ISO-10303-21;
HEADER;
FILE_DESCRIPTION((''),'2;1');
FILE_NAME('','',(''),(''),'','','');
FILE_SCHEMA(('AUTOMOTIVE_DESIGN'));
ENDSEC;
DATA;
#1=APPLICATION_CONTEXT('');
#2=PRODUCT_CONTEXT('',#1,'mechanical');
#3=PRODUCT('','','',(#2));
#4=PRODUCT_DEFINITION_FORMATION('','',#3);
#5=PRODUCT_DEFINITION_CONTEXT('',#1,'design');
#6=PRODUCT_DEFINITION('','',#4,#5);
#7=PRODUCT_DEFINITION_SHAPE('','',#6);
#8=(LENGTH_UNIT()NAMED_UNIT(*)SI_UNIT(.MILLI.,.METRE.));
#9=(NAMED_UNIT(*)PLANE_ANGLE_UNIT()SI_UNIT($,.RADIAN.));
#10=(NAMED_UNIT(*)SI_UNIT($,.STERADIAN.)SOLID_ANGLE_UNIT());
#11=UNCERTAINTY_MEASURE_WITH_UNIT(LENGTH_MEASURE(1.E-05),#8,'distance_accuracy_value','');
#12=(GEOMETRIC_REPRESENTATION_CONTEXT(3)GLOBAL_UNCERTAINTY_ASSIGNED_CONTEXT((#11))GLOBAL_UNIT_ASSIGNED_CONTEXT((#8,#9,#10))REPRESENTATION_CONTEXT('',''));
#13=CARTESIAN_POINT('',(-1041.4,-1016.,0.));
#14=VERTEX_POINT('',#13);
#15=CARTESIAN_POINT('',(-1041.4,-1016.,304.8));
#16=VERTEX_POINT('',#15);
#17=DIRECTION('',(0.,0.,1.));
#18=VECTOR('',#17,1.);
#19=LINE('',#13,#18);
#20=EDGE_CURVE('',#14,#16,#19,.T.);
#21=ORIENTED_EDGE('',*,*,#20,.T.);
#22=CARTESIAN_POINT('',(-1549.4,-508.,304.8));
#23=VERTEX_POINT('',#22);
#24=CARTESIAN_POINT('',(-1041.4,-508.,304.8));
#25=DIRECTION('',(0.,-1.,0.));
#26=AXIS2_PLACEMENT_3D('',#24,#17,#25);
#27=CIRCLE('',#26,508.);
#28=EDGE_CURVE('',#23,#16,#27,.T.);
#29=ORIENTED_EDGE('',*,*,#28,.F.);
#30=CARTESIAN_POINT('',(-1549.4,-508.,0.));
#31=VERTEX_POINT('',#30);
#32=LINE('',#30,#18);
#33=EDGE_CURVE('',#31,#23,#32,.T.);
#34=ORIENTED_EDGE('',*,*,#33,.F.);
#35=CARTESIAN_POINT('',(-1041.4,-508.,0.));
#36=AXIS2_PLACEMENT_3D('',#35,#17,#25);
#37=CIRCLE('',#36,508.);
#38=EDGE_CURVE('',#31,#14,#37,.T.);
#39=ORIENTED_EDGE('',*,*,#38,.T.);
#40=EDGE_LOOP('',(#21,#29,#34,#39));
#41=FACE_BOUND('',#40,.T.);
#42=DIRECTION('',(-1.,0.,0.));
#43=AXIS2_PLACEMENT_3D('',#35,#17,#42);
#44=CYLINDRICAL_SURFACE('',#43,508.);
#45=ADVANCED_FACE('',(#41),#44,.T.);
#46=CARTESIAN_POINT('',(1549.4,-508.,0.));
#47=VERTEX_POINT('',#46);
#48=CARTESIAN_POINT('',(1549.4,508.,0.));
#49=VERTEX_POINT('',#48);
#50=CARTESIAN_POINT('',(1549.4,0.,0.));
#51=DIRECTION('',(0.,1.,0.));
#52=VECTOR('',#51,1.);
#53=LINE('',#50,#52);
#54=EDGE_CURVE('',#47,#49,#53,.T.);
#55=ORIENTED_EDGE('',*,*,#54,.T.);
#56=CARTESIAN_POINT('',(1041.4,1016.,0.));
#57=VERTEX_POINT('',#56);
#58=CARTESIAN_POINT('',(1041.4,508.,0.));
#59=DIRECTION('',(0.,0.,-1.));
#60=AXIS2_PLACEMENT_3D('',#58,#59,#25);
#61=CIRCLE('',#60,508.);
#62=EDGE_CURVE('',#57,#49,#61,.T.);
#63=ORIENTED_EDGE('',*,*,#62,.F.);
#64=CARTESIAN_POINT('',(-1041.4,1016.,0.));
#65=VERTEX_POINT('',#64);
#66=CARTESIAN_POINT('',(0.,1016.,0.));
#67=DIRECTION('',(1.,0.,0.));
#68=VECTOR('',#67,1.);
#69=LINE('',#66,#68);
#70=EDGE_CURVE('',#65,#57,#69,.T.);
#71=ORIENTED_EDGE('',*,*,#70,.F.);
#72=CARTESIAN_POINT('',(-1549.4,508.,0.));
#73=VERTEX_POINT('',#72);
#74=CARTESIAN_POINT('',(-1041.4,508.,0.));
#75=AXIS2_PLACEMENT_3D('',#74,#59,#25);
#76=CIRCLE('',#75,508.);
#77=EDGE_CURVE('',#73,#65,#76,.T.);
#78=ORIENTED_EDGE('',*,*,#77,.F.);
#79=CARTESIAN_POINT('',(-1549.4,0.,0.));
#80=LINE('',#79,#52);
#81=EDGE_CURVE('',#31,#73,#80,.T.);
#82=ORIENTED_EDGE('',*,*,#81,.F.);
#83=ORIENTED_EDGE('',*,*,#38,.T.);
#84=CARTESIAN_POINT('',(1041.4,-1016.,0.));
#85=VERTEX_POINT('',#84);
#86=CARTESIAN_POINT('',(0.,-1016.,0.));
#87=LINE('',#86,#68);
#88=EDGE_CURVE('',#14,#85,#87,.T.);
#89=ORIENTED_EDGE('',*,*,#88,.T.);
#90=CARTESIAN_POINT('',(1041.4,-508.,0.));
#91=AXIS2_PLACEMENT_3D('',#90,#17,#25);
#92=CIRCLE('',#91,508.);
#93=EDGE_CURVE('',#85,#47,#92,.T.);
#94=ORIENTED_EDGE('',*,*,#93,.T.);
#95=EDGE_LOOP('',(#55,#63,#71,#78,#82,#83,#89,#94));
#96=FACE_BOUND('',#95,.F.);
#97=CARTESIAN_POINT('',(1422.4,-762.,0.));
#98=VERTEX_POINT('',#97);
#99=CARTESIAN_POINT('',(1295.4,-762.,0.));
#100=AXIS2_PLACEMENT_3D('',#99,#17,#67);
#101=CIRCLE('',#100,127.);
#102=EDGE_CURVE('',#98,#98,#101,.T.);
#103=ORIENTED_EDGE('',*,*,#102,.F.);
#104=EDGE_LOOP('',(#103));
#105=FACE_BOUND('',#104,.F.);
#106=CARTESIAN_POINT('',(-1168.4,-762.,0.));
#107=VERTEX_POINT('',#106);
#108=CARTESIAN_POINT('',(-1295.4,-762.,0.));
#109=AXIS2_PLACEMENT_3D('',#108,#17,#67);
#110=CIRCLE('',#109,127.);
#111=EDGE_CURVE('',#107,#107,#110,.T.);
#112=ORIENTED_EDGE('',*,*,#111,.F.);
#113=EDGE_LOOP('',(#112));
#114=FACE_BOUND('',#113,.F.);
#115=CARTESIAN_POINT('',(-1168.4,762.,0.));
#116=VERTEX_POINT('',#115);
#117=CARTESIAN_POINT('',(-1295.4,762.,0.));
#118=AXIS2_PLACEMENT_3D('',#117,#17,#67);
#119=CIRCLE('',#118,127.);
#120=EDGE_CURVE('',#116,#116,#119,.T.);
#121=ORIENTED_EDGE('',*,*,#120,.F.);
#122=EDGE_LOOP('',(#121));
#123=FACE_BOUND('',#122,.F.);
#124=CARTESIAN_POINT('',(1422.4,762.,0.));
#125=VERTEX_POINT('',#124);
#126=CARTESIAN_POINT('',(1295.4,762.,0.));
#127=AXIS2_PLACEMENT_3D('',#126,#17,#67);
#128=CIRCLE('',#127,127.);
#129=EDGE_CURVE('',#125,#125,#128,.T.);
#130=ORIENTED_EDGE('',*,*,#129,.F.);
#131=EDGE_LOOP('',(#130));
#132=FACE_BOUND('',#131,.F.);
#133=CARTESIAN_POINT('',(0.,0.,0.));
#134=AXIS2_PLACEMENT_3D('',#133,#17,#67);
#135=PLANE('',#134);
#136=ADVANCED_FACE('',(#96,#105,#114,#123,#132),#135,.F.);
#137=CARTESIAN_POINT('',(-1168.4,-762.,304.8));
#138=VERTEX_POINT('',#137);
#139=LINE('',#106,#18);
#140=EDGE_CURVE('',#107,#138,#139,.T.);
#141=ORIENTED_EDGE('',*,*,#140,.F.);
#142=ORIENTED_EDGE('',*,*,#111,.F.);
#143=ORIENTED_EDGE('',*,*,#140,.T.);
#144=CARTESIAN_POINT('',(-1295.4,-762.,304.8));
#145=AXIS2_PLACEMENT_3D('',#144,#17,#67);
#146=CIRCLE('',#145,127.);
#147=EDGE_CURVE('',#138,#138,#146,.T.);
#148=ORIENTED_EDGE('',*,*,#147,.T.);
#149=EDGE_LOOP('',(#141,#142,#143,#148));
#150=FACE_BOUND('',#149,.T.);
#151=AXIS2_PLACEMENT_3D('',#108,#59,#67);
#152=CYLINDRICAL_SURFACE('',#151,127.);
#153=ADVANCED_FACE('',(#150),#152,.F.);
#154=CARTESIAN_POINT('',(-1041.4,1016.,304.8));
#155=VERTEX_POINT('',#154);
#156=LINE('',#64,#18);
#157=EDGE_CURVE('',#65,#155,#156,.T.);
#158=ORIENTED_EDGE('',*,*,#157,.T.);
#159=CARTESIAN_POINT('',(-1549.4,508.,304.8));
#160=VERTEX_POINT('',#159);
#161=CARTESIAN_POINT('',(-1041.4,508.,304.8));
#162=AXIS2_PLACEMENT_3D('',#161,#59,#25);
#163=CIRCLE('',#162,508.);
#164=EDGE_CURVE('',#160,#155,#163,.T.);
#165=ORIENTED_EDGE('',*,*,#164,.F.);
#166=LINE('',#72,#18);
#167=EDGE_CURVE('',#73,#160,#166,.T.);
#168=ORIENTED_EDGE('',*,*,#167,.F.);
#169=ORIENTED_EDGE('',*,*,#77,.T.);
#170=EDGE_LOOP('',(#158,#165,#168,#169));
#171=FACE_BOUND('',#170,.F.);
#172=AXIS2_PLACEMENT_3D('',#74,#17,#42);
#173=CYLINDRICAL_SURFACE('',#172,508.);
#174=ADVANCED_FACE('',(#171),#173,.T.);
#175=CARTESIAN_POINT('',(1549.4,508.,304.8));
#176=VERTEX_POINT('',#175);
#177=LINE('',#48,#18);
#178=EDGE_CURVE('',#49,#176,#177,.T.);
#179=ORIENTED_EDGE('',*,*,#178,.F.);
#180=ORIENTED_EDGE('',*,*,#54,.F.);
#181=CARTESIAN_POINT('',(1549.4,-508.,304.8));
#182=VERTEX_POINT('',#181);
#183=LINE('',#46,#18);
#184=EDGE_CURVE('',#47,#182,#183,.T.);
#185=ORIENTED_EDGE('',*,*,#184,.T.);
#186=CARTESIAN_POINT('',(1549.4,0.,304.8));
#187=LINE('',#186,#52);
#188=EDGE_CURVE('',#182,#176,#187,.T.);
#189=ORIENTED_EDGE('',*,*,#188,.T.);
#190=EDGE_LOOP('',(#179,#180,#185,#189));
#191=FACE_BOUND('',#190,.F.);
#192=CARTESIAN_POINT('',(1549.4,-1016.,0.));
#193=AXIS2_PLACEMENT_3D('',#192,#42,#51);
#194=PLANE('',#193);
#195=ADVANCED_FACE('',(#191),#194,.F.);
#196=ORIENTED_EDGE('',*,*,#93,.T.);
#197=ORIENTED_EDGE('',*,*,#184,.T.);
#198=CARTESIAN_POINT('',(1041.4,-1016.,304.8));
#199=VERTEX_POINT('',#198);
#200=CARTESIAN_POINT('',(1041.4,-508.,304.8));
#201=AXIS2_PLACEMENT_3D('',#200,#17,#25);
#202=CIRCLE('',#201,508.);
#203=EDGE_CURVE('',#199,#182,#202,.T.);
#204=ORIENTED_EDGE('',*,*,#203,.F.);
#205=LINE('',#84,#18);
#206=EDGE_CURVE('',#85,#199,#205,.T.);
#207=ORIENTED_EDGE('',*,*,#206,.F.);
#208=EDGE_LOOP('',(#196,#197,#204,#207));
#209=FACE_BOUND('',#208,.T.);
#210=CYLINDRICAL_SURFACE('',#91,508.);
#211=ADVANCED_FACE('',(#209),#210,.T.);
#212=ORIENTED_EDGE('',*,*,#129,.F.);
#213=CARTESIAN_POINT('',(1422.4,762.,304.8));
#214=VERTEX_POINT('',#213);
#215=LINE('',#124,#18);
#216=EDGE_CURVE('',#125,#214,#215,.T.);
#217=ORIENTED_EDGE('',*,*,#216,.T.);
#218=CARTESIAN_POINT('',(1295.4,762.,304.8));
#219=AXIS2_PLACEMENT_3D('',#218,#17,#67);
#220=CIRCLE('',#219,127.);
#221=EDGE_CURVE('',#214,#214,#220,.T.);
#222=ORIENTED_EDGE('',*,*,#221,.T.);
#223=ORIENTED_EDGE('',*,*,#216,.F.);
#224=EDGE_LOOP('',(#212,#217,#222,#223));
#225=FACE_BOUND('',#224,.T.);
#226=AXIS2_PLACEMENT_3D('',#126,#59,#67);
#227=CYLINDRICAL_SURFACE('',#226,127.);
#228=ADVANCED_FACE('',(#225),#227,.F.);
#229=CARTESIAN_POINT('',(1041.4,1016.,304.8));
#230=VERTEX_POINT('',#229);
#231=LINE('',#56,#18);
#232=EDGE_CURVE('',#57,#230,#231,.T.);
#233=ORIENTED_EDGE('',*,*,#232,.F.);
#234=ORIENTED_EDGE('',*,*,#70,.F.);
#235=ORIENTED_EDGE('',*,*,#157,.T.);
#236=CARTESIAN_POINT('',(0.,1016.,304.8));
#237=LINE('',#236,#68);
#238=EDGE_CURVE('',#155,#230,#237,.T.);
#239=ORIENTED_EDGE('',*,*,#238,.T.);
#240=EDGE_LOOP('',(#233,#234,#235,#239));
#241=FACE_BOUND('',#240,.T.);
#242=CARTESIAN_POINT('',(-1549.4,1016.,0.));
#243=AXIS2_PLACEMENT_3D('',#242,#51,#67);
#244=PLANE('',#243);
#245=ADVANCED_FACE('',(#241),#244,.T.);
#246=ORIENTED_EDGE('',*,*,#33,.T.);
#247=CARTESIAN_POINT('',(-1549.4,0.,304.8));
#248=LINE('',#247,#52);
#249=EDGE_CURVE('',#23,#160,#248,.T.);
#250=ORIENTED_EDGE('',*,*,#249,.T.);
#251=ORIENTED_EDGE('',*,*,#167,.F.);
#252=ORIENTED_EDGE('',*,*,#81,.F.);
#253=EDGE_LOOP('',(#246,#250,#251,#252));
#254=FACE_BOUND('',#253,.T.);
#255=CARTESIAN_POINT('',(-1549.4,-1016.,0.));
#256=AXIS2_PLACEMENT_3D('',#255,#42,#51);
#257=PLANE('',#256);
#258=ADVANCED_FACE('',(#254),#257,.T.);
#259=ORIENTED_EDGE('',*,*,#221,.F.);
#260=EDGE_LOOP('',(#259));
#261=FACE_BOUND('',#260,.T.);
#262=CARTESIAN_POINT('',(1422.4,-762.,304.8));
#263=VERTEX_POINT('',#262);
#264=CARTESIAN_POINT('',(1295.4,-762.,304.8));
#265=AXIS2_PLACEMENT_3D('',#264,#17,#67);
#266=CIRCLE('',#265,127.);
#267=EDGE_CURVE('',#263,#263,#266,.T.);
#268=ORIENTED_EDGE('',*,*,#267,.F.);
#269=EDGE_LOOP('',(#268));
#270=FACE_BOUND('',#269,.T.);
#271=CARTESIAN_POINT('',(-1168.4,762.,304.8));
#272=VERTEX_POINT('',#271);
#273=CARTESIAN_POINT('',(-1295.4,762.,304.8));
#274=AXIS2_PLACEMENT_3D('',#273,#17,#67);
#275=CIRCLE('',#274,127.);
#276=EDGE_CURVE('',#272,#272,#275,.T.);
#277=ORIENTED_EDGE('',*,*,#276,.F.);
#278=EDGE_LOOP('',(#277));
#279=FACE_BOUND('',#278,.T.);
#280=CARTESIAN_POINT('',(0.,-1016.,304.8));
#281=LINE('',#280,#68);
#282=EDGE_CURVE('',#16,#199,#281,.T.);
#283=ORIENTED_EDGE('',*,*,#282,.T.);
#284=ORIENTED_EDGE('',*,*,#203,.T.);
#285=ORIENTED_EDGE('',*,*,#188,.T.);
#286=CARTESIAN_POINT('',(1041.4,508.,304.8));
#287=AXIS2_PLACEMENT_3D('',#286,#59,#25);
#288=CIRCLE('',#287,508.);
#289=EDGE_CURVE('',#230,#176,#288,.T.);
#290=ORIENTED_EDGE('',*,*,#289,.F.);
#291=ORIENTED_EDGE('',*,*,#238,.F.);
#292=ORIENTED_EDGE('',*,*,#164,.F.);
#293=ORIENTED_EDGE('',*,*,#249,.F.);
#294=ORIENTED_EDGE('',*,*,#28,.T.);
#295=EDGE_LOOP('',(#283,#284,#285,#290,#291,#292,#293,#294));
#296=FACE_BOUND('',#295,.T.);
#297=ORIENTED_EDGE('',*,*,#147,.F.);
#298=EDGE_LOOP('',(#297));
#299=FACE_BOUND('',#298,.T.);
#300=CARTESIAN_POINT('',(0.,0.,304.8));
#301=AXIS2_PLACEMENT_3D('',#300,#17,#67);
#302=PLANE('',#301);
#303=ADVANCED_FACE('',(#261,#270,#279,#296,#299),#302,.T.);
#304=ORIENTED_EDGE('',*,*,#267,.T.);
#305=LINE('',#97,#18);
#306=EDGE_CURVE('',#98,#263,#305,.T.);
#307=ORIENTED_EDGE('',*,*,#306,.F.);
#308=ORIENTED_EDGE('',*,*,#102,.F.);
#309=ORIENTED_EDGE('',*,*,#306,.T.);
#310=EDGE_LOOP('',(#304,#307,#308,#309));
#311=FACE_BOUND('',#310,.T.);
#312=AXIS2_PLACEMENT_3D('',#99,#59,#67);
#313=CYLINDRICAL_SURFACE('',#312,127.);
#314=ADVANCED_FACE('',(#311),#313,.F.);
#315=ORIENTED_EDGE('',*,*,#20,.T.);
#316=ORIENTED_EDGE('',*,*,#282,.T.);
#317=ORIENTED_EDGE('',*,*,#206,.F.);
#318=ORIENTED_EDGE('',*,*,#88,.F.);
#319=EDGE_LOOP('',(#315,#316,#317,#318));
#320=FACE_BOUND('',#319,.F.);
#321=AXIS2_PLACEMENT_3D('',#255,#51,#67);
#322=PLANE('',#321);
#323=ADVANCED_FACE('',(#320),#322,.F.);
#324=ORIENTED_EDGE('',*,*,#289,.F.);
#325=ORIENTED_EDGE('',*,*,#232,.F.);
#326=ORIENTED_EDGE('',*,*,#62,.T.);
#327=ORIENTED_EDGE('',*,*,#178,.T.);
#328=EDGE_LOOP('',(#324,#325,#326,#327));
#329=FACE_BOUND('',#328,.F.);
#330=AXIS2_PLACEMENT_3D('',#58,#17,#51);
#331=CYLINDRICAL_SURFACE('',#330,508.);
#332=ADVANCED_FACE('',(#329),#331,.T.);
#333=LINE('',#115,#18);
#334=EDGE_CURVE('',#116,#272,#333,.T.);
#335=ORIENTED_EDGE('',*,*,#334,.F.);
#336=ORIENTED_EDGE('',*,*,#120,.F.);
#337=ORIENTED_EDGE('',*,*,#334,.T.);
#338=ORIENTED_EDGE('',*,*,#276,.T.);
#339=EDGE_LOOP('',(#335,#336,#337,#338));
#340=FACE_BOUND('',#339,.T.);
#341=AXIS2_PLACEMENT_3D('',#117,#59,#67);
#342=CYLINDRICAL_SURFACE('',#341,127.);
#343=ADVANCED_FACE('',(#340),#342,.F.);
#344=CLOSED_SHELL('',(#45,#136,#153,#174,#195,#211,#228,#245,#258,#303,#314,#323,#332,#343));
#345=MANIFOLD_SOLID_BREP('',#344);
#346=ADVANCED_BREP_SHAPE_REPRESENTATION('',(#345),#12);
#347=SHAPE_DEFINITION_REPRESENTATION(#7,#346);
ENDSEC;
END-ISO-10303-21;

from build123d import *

# Parameters (mm, degrees)
F0_W     = 3098.8
F0_H     = 2032
F0_R     = 127
F1_DEPTH = 304.8
F2_R     = 508


with BuildPart() as f1:
    # F0 (on Top) → F1 (new body)
    with BuildSketch(Plane.XY):
        Rectangle(F0_W, F0_H)
        with Locations((-1295.4, -762)):
            Circle(F0_R, mode=Mode.SUBTRACT)
        with Locations((1295.4, -762)):
            Circle(F0_R, mode=Mode.SUBTRACT)
        with Locations((-1295.4, 762)):
            Circle(F0_R, mode=Mode.SUBTRACT)
        with Locations((1295.4, 762)):
            Circle(F0_R, mode=Mode.SUBTRACT)
    extrude(amount=F1_DEPTH)

    # F2
    f2_edges = [f1.edges().sort_by_distance(p)[0] for p in [
        (1549.4, 1016, 152.4),
        (1549.4, -1016, 152.4),
        (-1549.4, 1016, 152.4),
        (-1549.4, -1016, 152.4),
    ]]
    fillet(f2_edges, radius=F2_R)


solid = f1.part
